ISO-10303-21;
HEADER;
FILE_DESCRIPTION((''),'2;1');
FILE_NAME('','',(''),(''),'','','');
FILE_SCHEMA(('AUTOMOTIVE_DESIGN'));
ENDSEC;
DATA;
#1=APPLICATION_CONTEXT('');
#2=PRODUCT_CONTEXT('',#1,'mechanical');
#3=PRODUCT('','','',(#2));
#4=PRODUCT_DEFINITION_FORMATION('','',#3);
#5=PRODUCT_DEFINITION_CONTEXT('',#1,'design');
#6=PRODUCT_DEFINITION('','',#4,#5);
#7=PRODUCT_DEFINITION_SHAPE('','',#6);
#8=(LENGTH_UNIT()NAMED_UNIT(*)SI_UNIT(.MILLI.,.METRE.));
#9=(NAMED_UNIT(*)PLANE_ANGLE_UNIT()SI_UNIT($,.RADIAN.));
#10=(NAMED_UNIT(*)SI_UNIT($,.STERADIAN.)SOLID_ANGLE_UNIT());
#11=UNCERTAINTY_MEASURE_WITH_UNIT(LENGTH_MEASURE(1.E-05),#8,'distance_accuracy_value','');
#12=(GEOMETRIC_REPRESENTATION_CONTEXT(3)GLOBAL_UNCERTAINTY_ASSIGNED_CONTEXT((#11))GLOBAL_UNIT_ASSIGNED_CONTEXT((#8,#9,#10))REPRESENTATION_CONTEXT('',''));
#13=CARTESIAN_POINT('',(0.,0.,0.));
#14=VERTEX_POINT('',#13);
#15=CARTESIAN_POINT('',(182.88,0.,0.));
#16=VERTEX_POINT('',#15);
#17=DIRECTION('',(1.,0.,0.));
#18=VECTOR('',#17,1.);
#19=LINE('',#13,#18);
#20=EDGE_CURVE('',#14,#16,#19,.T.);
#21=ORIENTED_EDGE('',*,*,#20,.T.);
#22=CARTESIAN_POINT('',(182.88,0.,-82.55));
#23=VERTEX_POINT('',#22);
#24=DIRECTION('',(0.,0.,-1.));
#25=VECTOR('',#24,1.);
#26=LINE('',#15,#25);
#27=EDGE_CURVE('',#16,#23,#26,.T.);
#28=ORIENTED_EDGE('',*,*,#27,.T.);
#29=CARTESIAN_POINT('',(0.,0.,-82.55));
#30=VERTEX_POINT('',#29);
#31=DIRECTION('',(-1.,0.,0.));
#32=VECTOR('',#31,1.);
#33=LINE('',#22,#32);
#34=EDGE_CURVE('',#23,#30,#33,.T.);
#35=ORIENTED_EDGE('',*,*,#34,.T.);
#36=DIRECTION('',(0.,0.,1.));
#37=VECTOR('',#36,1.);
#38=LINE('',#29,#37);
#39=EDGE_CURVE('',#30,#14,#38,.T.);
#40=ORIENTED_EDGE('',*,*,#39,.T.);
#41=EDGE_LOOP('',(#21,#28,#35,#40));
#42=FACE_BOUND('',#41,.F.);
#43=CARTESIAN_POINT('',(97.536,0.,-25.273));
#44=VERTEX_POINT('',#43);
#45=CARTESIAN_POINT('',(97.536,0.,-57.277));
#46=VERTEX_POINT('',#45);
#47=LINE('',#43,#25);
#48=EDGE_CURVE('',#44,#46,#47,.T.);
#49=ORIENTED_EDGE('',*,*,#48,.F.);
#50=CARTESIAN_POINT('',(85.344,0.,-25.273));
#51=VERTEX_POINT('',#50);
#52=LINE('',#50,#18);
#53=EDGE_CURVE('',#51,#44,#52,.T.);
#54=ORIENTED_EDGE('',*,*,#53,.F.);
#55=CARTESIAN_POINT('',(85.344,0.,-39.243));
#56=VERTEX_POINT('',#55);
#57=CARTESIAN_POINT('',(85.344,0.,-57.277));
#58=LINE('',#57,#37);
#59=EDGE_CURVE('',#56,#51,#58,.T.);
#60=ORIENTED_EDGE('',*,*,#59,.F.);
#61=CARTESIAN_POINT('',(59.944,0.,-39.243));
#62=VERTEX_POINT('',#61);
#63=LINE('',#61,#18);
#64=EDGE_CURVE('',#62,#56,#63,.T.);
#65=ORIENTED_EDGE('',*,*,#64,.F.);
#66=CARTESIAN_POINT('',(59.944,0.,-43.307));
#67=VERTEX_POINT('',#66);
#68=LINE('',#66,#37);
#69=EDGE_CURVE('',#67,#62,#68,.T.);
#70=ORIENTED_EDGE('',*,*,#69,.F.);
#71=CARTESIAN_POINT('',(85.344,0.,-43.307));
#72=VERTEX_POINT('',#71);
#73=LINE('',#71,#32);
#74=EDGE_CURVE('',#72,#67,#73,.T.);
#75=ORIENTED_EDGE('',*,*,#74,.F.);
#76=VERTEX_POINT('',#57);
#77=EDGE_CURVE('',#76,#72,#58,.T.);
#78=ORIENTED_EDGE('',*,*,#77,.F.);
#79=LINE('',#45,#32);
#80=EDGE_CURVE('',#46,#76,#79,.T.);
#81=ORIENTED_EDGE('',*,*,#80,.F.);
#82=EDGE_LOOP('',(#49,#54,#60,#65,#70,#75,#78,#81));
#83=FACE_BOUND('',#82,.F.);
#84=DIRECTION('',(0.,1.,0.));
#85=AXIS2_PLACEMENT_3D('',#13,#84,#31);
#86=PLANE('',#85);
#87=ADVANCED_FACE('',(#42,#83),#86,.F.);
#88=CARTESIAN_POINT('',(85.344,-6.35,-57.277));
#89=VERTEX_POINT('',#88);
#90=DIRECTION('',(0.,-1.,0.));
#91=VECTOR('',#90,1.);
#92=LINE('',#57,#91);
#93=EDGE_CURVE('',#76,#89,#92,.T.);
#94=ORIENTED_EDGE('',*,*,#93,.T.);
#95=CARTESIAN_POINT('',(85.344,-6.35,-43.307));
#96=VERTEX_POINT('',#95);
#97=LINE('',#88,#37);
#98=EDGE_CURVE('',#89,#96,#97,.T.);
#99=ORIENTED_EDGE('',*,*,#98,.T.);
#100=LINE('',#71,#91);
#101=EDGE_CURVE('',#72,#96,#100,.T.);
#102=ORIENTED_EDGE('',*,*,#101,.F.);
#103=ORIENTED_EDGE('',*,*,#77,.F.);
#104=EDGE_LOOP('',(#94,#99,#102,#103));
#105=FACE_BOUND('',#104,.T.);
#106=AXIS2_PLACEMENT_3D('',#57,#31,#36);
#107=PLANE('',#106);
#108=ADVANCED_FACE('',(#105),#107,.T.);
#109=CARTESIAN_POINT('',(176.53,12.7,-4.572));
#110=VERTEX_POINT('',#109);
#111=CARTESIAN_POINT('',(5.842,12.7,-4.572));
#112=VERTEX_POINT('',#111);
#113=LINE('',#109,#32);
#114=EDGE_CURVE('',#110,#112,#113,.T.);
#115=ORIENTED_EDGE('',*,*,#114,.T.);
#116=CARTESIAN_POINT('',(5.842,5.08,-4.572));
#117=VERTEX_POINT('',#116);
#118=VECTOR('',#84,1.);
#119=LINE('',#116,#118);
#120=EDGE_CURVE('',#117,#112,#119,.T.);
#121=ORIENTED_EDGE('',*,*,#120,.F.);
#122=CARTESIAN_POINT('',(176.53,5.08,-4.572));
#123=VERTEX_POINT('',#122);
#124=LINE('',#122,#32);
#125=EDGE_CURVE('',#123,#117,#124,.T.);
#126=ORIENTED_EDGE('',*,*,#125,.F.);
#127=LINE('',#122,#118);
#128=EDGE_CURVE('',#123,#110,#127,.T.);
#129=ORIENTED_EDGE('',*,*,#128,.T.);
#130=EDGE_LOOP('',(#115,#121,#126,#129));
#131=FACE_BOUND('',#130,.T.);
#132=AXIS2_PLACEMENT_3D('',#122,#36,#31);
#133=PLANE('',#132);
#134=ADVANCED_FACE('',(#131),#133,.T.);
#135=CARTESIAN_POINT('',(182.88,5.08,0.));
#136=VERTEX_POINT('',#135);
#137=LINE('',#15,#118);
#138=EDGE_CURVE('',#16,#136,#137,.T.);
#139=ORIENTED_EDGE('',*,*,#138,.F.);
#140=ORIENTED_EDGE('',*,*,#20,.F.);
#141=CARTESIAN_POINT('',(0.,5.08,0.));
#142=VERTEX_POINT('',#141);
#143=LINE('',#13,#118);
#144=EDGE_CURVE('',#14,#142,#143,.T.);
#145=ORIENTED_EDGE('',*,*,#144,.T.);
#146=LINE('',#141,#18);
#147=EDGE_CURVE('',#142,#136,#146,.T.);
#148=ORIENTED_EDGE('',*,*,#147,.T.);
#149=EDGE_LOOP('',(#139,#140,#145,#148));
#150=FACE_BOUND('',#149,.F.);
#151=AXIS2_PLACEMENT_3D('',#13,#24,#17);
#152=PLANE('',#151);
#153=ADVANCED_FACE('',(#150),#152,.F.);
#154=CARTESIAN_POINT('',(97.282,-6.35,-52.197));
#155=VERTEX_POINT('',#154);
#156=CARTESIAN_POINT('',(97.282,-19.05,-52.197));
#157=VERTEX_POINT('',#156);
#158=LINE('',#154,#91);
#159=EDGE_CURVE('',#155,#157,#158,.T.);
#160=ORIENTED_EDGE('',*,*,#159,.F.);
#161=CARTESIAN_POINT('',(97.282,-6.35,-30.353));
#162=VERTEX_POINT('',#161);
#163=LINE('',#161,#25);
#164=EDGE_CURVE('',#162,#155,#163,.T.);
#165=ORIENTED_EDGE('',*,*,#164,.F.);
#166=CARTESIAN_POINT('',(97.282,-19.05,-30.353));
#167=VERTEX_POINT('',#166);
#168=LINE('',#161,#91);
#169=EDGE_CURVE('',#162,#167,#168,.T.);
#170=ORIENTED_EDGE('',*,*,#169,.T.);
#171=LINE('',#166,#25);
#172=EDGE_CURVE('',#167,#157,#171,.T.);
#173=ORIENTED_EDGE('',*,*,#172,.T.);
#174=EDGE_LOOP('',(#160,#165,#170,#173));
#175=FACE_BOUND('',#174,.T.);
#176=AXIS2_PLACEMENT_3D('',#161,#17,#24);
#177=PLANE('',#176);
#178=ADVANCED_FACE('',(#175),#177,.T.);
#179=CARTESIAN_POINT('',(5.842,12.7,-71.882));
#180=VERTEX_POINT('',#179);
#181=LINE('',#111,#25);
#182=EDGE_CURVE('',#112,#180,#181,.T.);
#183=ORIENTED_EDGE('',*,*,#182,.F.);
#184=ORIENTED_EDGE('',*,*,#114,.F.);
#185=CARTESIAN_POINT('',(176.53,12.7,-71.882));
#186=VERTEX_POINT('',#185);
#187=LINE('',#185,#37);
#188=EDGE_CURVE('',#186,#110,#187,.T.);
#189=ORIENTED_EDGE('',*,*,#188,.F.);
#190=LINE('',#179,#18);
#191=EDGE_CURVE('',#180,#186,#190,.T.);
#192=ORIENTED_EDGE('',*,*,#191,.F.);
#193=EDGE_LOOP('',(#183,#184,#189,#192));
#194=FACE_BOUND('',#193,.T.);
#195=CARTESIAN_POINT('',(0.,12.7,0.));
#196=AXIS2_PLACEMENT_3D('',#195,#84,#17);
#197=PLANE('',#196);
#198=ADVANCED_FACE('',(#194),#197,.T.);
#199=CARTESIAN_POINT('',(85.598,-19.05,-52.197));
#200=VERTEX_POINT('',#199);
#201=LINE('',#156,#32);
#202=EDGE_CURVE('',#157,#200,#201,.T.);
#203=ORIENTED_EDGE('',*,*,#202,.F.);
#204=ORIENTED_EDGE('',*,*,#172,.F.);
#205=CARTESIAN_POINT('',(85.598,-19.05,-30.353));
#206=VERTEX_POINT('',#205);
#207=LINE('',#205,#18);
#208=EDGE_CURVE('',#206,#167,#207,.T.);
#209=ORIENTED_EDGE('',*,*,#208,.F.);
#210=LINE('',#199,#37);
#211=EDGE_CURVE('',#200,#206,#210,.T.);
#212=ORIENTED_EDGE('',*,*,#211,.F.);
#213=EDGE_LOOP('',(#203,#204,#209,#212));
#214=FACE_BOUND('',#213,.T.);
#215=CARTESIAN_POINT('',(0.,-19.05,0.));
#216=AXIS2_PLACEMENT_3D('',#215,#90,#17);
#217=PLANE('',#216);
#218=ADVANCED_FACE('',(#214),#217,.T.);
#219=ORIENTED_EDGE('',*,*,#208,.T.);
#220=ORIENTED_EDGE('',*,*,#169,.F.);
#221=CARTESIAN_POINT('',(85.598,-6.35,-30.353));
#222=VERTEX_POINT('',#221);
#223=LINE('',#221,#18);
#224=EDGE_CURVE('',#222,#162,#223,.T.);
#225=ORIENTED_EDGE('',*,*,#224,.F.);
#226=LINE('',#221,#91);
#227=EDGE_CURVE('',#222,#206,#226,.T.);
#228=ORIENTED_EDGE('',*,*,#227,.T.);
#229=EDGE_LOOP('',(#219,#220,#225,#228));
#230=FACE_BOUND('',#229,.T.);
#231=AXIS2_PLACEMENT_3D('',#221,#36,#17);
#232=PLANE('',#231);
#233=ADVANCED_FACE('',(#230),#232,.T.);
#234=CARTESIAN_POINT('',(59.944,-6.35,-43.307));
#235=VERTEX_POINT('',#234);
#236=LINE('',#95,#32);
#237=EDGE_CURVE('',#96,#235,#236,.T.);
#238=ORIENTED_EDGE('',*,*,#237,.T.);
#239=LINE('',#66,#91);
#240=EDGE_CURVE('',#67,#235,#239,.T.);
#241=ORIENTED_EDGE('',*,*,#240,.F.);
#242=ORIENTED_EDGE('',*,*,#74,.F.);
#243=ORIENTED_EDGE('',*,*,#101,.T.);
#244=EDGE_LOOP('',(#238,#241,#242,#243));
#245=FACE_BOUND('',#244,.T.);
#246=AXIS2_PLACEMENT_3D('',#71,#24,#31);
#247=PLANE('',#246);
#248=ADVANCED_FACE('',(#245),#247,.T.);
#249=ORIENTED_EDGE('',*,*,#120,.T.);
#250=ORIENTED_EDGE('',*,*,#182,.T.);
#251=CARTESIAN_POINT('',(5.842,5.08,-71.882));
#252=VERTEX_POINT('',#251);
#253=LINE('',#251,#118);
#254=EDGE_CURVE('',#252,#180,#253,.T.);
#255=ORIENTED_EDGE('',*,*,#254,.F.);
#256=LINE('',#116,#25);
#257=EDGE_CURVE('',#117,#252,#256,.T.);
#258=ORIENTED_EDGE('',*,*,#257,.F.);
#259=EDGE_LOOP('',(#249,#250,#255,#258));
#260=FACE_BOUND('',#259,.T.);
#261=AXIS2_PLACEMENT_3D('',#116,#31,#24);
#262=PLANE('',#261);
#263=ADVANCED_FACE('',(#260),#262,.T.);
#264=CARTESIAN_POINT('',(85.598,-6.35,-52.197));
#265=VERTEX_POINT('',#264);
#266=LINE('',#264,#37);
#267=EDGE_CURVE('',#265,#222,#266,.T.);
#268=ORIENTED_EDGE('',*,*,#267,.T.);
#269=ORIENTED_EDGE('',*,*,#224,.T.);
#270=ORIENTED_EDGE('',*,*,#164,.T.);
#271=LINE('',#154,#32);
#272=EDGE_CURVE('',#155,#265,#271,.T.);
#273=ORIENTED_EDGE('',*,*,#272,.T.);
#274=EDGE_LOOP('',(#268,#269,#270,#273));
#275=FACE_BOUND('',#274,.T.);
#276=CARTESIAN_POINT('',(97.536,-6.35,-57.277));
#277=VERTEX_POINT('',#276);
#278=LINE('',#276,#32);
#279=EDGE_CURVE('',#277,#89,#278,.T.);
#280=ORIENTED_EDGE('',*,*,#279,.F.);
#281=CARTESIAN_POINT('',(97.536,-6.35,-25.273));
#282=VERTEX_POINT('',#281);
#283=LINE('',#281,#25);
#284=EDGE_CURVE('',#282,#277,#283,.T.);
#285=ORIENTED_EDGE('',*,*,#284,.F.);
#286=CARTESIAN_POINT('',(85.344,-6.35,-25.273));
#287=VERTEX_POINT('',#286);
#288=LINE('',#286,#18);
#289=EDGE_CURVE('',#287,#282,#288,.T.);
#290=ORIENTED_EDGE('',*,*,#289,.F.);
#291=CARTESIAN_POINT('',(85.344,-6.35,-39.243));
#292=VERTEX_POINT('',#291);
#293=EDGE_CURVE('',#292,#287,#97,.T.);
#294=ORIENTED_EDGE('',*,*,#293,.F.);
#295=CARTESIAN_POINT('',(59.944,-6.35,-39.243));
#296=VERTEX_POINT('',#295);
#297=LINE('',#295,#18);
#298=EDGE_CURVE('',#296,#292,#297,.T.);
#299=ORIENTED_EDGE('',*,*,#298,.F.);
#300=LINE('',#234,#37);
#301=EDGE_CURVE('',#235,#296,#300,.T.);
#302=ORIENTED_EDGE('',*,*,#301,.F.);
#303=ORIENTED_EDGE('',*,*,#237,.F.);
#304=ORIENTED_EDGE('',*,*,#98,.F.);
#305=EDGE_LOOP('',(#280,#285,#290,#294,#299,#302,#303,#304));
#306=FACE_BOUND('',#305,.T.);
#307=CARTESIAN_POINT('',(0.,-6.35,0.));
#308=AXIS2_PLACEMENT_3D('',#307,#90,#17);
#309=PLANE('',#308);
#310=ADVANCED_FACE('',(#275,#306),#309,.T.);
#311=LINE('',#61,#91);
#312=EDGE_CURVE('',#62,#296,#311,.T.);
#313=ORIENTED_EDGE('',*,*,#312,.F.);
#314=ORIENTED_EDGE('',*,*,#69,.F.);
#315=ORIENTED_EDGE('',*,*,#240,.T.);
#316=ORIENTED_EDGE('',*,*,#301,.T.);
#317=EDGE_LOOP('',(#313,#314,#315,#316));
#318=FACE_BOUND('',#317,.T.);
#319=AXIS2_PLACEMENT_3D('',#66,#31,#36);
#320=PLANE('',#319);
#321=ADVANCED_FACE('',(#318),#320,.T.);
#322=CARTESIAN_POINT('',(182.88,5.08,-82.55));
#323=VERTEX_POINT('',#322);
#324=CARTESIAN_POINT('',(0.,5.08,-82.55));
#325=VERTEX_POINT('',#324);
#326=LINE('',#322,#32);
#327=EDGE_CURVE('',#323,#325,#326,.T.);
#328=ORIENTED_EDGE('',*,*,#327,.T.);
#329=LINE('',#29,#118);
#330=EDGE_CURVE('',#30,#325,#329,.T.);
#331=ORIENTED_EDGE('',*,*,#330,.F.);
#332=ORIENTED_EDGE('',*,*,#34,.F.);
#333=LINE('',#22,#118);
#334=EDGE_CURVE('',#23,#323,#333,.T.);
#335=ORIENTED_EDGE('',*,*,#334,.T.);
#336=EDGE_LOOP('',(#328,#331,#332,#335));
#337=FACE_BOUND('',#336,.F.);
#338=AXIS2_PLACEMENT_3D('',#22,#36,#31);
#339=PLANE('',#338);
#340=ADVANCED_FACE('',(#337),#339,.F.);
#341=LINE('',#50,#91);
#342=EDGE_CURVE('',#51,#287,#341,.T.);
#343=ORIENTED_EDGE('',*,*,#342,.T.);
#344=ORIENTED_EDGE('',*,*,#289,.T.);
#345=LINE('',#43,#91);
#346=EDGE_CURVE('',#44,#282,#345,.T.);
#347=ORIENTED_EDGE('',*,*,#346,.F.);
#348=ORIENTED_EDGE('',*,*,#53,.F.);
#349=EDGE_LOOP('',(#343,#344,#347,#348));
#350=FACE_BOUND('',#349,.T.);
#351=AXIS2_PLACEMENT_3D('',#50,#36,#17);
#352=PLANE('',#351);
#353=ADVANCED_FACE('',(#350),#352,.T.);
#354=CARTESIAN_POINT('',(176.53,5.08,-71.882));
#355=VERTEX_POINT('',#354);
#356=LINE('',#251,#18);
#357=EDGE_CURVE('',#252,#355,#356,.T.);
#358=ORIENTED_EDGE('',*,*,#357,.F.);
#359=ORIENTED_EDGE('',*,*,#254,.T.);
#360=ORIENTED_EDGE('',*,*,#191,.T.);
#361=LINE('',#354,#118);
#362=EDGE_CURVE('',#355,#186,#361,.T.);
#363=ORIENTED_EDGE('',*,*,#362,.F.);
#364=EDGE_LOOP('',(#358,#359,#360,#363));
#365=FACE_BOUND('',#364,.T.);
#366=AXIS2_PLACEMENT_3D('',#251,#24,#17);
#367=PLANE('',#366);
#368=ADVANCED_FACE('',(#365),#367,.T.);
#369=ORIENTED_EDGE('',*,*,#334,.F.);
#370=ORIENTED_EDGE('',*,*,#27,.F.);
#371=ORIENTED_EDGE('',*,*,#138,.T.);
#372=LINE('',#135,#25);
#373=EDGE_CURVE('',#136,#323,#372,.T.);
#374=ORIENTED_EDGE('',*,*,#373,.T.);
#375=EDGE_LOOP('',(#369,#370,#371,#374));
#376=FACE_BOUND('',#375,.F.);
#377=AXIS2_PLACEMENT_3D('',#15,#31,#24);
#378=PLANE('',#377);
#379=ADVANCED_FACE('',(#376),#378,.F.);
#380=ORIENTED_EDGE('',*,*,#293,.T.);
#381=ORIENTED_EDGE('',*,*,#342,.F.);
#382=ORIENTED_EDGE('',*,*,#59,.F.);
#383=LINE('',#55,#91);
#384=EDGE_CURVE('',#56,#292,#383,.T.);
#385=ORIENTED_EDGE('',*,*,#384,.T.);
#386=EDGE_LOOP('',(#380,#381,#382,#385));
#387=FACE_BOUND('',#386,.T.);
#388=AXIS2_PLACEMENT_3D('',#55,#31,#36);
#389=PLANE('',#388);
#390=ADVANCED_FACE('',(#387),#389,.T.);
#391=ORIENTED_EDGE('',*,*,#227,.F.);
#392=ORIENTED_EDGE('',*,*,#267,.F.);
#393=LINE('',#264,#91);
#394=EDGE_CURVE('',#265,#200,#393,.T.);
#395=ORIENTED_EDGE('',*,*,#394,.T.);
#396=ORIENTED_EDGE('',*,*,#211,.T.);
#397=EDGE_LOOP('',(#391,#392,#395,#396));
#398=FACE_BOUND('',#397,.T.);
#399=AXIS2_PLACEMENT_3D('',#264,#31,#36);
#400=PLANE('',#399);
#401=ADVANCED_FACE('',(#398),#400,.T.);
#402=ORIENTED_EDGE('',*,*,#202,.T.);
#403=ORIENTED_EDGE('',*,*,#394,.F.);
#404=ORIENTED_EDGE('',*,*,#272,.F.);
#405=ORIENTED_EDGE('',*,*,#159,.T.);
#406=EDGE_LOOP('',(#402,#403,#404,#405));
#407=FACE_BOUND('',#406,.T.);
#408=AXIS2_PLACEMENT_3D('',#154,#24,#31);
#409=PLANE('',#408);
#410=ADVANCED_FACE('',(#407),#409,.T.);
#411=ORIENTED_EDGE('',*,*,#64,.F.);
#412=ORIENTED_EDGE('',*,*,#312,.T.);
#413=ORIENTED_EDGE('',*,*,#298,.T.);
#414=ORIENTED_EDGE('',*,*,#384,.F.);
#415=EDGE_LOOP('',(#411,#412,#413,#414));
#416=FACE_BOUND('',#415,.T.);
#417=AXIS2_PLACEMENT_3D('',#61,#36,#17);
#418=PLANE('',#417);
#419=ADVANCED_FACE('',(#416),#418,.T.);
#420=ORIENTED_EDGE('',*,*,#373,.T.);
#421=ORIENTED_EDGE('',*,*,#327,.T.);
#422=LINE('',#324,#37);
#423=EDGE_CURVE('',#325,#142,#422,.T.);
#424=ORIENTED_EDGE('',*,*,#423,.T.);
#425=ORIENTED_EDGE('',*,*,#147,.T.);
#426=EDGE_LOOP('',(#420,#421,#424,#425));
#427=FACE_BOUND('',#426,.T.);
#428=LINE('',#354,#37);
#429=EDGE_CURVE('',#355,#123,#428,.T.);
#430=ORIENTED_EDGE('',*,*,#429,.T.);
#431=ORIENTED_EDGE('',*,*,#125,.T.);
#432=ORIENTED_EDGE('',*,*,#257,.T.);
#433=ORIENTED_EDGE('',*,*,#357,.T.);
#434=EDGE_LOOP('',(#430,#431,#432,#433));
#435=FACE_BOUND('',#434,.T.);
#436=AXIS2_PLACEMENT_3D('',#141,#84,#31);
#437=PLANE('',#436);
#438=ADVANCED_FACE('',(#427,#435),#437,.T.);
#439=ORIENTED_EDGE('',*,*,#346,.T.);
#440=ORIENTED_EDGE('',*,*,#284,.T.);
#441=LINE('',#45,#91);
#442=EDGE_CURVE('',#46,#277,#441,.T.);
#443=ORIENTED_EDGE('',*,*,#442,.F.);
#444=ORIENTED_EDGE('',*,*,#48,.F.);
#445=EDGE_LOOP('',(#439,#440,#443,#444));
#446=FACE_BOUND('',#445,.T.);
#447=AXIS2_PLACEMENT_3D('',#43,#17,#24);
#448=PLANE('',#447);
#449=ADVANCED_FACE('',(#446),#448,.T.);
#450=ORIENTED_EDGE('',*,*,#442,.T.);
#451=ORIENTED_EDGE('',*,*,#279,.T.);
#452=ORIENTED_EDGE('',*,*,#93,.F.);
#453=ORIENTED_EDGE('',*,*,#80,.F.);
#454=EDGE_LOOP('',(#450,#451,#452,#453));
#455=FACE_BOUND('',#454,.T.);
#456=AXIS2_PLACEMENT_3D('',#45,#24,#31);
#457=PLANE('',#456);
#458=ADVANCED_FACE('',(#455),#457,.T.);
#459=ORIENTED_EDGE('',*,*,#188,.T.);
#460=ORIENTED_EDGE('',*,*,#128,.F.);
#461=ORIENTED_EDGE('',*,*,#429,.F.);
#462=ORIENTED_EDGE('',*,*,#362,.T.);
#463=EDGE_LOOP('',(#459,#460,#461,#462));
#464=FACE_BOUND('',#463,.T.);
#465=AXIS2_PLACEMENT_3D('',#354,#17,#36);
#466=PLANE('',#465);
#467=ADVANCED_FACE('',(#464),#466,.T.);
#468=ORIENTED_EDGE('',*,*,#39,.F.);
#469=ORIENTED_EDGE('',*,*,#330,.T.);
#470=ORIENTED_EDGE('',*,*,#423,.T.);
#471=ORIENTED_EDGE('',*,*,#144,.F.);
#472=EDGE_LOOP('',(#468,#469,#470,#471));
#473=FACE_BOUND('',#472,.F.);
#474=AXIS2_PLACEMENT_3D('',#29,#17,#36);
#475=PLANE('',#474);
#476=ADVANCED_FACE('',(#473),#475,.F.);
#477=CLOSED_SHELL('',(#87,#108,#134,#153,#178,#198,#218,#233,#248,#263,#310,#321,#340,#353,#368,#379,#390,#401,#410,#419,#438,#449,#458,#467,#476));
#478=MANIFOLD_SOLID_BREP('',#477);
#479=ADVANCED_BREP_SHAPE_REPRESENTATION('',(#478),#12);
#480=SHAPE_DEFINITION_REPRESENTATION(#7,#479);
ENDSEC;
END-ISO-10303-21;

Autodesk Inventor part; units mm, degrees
ref_plane "YZ Plane" through (0, 0, 0) normal (1, 0, 0) x (0, 1, 0)
ref_plane "XZ Plane" through (0, 0, 0) normal (0, 1, 0) x (-1, 0, 0)
ref_plane "XY Plane" through (0, 0, 0) normal (0, 0, 1) x (1, 0, 0)
sketch "Sketch1" plane through (0, 0, 0) normal (0, 1, 0) x (-1, 0, 0)
  line L0 (0, 0) -> (-182.88, 0)
  line L1 (-182.88, 0) -> (-182.88, -82.55)
  line L2 (-182.88, -82.55) -> (0, -82.55)
  line L3 (0, -82.55) -> (0, 0)
  dimension "d0" = 82.55
  dimension "d1" = 182.88
extrude "Extrusion1" add sketch "Sketch1" along normal blind 5.08
sketch "Sketch2" plane through (0, 5.08, 0) normal (0, 1, 0) x (1, 0, 0)
  line L0 (5.842, 71.882) -> (176.53, 71.882)
  line L1 (176.53, 71.882) -> (176.53, 4.572)
  line L2 (176.53, 4.572) -> (5.842, 4.572)
  line L3 (5.842, 4.572) -> (5.842, 71.882)
  line L4 (0, 82.55) -> (0, 0) projected
  line L5 (182.88, 0) -> (182.88, 82.55) projected
  line L6 (0, 0) -> (182.88, 0) projected
  line L7 (182.88, 82.55) -> (0, 82.55) projected
  line L8 (172.232, 67.584) -> (10.14, 67.584)
  line L9 (10.14, 67.584) -> (10.14, 8.87)
  line L10 (10.14, 8.87) -> (172.232, 8.87)
  line L11 (172.232, 8.87) -> (172.232, 67.584)
  point P0 (182.88, 41.275)
  dimension "d4" = 5.842
  dimension "d5" = 6.35
  dimension "d6" = 4.572
  dimension "d7" = 10.668
extrude "Extrusion2" add sketch "Sketch2" along normal blind 7.62 contours L0 L1 L2 L3 | L11 L10 L9 L8
sketch "Sketch3" plane through (0, 0, 0) normal (0, -1, 0) x (1, 0, 0)
  line L0 (97.536, -57.277) -> (85.344, -57.277)
  line L1 (85.344, -57.277) -> (85.344, -25.273)
  line L2 (85.344, -25.273) -> (97.536, -25.273)
  line L3 (97.536, -25.273) -> (97.536, -57.277)
  line L4 (182.88, 0) -> (182.88, -82.55) projected
  line L5 (0, 0) -> (182.88, 0) projected
  line L6 (85.344, -43.307) -> (59.944, -43.307)
  line L7 (59.944, -43.307) -> (59.944, -39.243)
  line L8 (59.944, -39.243) -> (85.344, -39.243)
  line L9 (85.344, -39.243) -> (85.344, -43.307)
  point P0 (97.536, -41.275)
  point P1 (182.88, -41.275)
  point P2 (91.44, -25.273)
  point P3 (91.44, 0)
  point P4 (59.944, -41.275)
  point P5 (85.344, -41.275)
  dimension "d10" = 32.004
  dimension "d11" = 12.192
  dimension "d12" = 25.4
  dimension "d13" = 4.064
extrude "Extrusion3" add sketch "Sketch3" along normal blind 6.35
sketch "Sketch4" plane through (0, -6.35, 0) normal (0, -1, 0) x (1, 0, 0)
  line L0 (97.282, -52.197) -> (85.598, -52.197)
  line L1 (85.598, -52.197) -> (85.598, -30.353)
  line L2 (85.598, -30.353) -> (97.282, -30.353)
  line L3 (97.282, -30.353) -> (97.282, -52.197)
  line L4 (97.536, -57.277) -> (97.536, -25.273) projected
  line L5 (85.344, -57.277) -> (97.536, -57.277) projected
  point P0 (0, 0)
  point P1 (85.598, -41.275)
  point P2 (97.536, -41.275)
  point P3 (91.44, -52.197)
  point P4 (91.44, -57.277)
  dimension "d16" = 21.844
  dimension "d17" = 11.684
extrude "Extrusion4" add sketch "Sketch4" along normal blind 12.7
properties part number "Base Box Lid"
